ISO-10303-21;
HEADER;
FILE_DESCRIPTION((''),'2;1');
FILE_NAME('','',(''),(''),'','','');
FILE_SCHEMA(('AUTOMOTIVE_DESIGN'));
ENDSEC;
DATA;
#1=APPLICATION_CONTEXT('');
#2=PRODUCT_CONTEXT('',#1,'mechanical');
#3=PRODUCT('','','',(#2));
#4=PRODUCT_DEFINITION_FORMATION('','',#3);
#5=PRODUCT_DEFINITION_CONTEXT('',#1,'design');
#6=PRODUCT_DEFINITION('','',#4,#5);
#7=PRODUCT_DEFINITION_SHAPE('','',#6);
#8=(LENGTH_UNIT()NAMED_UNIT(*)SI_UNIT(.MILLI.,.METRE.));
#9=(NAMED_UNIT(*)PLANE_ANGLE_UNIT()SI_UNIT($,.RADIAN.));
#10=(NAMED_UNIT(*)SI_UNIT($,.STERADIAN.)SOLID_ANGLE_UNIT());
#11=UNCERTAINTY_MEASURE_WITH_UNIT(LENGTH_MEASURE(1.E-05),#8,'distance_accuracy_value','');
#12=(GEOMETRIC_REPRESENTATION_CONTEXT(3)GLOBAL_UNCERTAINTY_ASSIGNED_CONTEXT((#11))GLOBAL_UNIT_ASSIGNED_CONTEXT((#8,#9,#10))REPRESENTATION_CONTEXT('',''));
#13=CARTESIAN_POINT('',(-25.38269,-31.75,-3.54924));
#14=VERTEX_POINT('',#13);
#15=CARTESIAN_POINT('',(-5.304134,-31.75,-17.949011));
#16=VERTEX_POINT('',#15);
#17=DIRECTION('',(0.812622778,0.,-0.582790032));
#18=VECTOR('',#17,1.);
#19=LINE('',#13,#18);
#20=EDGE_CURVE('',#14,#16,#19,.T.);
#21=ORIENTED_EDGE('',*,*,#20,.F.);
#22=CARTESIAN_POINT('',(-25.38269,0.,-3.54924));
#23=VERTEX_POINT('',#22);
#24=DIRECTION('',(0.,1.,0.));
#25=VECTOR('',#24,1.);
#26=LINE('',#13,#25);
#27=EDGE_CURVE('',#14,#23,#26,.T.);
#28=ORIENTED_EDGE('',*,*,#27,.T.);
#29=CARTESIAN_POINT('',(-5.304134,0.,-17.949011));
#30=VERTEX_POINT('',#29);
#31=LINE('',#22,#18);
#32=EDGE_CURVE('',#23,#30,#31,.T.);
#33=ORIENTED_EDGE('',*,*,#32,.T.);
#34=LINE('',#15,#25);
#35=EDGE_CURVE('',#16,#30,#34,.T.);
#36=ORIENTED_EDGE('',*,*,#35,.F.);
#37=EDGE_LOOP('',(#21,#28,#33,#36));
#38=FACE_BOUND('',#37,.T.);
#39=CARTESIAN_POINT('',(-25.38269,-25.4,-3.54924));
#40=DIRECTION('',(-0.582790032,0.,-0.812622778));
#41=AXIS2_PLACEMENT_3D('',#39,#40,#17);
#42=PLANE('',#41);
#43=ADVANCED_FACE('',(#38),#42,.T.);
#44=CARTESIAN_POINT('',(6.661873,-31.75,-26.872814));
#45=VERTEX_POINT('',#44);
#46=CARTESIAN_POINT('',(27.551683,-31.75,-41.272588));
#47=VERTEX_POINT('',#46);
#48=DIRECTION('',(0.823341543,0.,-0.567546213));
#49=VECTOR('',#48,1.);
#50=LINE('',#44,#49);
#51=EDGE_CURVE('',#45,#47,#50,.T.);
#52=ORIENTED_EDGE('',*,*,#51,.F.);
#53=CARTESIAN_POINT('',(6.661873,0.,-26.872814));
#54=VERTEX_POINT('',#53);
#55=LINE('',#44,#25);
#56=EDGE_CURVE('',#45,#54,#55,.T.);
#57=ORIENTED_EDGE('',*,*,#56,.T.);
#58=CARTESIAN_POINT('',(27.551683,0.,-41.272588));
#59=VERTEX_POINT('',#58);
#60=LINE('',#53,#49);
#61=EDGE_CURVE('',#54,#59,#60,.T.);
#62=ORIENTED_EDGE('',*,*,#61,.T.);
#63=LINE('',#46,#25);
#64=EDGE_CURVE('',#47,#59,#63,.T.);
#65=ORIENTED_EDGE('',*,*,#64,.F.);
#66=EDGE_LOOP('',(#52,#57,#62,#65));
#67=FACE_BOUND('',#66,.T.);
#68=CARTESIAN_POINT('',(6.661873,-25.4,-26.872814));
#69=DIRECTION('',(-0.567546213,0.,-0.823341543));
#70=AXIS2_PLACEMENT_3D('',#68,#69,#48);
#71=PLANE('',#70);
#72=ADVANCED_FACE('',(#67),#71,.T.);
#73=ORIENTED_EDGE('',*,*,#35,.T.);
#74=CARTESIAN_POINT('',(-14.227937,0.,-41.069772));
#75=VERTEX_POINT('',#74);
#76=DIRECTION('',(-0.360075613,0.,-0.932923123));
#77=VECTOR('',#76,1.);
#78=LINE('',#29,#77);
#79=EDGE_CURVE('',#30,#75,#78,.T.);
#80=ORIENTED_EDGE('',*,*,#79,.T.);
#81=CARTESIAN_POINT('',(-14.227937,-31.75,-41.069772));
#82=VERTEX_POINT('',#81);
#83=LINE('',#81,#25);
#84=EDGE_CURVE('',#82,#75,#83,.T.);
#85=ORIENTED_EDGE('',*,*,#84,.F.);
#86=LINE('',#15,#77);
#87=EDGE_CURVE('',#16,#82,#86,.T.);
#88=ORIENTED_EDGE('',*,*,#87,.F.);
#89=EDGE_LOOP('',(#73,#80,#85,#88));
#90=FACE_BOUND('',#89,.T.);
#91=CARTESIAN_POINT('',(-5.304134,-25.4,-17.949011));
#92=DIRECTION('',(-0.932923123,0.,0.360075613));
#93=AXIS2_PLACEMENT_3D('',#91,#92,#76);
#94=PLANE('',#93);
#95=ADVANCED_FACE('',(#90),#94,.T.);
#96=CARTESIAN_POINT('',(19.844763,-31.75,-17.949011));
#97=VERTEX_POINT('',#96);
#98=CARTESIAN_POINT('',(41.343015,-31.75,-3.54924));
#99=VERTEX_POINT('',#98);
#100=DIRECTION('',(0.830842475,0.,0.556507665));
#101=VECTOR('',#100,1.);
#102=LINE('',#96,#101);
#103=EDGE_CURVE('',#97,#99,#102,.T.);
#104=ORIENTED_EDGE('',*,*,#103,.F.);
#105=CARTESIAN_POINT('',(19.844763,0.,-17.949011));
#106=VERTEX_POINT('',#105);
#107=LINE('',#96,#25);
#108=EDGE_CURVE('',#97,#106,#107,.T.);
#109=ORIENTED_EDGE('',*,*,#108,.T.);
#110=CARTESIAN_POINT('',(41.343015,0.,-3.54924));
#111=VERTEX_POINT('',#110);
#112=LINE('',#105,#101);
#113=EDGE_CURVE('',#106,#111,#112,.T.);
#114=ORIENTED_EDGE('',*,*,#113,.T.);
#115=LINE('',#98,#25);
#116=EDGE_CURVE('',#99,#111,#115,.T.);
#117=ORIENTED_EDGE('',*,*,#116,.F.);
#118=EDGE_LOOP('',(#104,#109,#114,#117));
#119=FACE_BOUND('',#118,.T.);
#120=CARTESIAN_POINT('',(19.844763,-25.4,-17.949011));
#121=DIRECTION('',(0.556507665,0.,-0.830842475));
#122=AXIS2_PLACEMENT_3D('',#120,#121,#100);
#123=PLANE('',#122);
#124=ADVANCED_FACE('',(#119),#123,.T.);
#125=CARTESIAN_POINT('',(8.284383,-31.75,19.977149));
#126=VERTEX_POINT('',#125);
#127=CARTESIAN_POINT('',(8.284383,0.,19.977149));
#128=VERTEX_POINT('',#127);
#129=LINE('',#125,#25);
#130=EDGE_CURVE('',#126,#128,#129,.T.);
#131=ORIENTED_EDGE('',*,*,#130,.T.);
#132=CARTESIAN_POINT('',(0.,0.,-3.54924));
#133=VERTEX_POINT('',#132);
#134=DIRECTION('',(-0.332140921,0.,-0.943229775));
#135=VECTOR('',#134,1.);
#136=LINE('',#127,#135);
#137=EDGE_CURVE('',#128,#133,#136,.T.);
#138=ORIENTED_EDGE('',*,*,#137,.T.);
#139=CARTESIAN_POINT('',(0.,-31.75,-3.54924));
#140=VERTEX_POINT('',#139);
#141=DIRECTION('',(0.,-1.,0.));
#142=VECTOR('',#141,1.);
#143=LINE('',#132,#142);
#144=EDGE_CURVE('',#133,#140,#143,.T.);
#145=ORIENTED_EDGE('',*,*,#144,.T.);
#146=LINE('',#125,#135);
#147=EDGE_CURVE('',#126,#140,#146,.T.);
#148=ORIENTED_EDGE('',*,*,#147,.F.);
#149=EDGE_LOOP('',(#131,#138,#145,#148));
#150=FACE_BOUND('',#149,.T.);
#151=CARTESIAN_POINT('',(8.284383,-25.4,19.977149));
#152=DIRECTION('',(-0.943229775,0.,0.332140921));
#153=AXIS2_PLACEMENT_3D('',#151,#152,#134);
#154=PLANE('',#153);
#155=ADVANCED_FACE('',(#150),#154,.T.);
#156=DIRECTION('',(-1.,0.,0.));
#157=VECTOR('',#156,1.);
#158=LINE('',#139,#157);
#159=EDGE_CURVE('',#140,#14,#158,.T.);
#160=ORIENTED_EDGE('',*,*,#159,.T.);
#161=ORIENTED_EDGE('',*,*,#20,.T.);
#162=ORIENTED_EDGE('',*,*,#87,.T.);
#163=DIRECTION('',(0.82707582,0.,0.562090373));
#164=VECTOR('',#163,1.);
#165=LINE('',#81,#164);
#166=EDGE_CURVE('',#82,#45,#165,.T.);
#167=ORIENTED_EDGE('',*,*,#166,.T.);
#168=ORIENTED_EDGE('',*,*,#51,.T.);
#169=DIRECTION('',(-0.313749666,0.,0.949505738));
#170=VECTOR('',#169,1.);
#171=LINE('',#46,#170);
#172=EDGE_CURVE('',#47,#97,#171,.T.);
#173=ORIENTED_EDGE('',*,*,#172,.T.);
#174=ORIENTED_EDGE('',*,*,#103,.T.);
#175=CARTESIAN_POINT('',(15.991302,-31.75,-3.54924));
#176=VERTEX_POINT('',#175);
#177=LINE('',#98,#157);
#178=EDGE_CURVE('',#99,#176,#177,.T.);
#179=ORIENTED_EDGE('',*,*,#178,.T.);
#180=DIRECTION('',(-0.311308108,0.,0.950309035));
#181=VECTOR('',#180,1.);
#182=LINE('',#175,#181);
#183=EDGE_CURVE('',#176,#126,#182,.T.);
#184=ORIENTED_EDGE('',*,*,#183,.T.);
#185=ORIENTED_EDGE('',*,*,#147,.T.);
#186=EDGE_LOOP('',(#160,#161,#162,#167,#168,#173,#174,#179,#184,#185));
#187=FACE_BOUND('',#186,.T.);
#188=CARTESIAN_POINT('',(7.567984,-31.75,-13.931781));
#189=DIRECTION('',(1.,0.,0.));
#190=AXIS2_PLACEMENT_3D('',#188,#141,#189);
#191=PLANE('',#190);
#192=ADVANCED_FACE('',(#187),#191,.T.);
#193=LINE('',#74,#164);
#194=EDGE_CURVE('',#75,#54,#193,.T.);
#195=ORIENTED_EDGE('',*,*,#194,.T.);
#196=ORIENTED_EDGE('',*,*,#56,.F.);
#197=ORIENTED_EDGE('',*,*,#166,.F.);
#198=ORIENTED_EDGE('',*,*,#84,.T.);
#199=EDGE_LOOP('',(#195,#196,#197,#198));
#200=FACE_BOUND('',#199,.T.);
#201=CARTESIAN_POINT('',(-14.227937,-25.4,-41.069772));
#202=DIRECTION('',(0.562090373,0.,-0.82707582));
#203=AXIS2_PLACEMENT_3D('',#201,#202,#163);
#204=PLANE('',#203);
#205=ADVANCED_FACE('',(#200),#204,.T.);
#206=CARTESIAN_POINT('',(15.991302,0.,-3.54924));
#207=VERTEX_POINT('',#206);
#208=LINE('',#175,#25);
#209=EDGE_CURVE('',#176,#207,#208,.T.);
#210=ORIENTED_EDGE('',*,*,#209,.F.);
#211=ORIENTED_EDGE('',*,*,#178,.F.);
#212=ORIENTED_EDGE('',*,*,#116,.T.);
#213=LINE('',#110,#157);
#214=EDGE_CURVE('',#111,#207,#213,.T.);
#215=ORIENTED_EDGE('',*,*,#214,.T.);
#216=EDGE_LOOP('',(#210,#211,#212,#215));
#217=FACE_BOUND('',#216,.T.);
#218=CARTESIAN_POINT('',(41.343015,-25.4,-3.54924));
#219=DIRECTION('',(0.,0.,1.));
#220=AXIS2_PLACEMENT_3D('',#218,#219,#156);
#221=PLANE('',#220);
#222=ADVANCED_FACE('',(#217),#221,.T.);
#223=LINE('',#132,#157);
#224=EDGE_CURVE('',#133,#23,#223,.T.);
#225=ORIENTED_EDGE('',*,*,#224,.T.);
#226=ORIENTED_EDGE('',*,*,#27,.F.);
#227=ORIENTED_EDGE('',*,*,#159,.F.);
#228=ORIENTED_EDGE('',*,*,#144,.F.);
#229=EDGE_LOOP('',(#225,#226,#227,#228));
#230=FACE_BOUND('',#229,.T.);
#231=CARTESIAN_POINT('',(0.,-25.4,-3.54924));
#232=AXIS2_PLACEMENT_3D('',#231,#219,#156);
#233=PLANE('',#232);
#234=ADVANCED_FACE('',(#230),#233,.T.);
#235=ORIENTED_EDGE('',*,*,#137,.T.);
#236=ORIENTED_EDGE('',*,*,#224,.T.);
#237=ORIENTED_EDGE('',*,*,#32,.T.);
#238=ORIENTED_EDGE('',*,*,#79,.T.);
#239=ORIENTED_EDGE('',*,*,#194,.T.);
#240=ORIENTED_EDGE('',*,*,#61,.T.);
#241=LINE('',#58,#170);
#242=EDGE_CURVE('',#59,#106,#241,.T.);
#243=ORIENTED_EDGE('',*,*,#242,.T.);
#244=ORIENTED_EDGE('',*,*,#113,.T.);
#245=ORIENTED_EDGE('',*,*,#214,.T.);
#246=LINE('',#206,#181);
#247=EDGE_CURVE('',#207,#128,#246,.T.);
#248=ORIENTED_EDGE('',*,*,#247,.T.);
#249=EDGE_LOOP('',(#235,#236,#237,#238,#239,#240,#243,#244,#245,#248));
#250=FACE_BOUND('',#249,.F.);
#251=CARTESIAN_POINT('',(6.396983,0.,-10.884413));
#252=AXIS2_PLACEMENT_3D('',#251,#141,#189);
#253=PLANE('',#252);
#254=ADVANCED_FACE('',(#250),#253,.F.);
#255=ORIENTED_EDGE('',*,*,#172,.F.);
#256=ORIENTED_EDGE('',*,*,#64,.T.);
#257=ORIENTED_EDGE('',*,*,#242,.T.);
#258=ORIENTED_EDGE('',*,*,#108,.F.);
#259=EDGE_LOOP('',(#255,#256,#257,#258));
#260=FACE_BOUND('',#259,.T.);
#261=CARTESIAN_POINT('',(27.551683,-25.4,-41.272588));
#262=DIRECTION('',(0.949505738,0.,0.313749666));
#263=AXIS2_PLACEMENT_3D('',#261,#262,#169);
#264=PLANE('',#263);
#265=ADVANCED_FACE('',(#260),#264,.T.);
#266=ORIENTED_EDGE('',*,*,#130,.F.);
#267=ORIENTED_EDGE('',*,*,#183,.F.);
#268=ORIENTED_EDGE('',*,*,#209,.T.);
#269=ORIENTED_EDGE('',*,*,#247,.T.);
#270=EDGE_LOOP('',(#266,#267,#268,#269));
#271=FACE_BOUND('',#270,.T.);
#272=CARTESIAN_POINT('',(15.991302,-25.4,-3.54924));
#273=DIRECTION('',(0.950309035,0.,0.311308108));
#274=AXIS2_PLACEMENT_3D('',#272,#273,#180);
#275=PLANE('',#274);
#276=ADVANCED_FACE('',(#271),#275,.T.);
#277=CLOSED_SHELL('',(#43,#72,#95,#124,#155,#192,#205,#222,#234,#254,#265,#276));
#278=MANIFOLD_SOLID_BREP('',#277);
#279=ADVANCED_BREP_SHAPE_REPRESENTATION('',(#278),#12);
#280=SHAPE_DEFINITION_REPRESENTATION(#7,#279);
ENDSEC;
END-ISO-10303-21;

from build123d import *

# Parameters (mm, degrees)
F0_W     = 94.5225581527
F0_H     = 71.0351280868
F1_DEPTH = 25.4
F3_DEPTH = 6.35
F4_DEPTH = 25.4


with BuildPart() as f1:
    # F0 (on Front) → F1 (new body)
    with BuildSketch(Plane.XZ):
        with Locations((6.3969828188, -10.8844134957)):
            Rectangle(F0_W, F0_H)
    extrude(amount=F1_DEPTH)

    # F2 (on face) → F3 (join)
    with BuildSketch(Plane.XZ.offset(25.4)):
        Polygon((0, -3.5492395982), (-25.3826901317, -3.5492395982), (-5.3041339852, -17.9490111768), (-14.2279369757, -41.0697720945), (6.6618728451, -26.8728137016), (27.5516826659, -41.2725880742), (19.8447629809, -17.9490111768), (41.3430146873, -3.5492395982), (15.9913022071, -3.5492395982), (8.2843825221, 19.9771486223), align=None)
    extrude(amount=F3_DEPTH)

    # F4 (cut): a face of the model
    f4_faces = [f1.faces().sort_by_distance(p)[0] for p in [
        (6.3969828188, -25.4, 23.450758759),
    ]]
    extrude(f4_faces, amount=-F4_DEPTH, mode=Mode.SUBTRACT)


solid = f1.part
